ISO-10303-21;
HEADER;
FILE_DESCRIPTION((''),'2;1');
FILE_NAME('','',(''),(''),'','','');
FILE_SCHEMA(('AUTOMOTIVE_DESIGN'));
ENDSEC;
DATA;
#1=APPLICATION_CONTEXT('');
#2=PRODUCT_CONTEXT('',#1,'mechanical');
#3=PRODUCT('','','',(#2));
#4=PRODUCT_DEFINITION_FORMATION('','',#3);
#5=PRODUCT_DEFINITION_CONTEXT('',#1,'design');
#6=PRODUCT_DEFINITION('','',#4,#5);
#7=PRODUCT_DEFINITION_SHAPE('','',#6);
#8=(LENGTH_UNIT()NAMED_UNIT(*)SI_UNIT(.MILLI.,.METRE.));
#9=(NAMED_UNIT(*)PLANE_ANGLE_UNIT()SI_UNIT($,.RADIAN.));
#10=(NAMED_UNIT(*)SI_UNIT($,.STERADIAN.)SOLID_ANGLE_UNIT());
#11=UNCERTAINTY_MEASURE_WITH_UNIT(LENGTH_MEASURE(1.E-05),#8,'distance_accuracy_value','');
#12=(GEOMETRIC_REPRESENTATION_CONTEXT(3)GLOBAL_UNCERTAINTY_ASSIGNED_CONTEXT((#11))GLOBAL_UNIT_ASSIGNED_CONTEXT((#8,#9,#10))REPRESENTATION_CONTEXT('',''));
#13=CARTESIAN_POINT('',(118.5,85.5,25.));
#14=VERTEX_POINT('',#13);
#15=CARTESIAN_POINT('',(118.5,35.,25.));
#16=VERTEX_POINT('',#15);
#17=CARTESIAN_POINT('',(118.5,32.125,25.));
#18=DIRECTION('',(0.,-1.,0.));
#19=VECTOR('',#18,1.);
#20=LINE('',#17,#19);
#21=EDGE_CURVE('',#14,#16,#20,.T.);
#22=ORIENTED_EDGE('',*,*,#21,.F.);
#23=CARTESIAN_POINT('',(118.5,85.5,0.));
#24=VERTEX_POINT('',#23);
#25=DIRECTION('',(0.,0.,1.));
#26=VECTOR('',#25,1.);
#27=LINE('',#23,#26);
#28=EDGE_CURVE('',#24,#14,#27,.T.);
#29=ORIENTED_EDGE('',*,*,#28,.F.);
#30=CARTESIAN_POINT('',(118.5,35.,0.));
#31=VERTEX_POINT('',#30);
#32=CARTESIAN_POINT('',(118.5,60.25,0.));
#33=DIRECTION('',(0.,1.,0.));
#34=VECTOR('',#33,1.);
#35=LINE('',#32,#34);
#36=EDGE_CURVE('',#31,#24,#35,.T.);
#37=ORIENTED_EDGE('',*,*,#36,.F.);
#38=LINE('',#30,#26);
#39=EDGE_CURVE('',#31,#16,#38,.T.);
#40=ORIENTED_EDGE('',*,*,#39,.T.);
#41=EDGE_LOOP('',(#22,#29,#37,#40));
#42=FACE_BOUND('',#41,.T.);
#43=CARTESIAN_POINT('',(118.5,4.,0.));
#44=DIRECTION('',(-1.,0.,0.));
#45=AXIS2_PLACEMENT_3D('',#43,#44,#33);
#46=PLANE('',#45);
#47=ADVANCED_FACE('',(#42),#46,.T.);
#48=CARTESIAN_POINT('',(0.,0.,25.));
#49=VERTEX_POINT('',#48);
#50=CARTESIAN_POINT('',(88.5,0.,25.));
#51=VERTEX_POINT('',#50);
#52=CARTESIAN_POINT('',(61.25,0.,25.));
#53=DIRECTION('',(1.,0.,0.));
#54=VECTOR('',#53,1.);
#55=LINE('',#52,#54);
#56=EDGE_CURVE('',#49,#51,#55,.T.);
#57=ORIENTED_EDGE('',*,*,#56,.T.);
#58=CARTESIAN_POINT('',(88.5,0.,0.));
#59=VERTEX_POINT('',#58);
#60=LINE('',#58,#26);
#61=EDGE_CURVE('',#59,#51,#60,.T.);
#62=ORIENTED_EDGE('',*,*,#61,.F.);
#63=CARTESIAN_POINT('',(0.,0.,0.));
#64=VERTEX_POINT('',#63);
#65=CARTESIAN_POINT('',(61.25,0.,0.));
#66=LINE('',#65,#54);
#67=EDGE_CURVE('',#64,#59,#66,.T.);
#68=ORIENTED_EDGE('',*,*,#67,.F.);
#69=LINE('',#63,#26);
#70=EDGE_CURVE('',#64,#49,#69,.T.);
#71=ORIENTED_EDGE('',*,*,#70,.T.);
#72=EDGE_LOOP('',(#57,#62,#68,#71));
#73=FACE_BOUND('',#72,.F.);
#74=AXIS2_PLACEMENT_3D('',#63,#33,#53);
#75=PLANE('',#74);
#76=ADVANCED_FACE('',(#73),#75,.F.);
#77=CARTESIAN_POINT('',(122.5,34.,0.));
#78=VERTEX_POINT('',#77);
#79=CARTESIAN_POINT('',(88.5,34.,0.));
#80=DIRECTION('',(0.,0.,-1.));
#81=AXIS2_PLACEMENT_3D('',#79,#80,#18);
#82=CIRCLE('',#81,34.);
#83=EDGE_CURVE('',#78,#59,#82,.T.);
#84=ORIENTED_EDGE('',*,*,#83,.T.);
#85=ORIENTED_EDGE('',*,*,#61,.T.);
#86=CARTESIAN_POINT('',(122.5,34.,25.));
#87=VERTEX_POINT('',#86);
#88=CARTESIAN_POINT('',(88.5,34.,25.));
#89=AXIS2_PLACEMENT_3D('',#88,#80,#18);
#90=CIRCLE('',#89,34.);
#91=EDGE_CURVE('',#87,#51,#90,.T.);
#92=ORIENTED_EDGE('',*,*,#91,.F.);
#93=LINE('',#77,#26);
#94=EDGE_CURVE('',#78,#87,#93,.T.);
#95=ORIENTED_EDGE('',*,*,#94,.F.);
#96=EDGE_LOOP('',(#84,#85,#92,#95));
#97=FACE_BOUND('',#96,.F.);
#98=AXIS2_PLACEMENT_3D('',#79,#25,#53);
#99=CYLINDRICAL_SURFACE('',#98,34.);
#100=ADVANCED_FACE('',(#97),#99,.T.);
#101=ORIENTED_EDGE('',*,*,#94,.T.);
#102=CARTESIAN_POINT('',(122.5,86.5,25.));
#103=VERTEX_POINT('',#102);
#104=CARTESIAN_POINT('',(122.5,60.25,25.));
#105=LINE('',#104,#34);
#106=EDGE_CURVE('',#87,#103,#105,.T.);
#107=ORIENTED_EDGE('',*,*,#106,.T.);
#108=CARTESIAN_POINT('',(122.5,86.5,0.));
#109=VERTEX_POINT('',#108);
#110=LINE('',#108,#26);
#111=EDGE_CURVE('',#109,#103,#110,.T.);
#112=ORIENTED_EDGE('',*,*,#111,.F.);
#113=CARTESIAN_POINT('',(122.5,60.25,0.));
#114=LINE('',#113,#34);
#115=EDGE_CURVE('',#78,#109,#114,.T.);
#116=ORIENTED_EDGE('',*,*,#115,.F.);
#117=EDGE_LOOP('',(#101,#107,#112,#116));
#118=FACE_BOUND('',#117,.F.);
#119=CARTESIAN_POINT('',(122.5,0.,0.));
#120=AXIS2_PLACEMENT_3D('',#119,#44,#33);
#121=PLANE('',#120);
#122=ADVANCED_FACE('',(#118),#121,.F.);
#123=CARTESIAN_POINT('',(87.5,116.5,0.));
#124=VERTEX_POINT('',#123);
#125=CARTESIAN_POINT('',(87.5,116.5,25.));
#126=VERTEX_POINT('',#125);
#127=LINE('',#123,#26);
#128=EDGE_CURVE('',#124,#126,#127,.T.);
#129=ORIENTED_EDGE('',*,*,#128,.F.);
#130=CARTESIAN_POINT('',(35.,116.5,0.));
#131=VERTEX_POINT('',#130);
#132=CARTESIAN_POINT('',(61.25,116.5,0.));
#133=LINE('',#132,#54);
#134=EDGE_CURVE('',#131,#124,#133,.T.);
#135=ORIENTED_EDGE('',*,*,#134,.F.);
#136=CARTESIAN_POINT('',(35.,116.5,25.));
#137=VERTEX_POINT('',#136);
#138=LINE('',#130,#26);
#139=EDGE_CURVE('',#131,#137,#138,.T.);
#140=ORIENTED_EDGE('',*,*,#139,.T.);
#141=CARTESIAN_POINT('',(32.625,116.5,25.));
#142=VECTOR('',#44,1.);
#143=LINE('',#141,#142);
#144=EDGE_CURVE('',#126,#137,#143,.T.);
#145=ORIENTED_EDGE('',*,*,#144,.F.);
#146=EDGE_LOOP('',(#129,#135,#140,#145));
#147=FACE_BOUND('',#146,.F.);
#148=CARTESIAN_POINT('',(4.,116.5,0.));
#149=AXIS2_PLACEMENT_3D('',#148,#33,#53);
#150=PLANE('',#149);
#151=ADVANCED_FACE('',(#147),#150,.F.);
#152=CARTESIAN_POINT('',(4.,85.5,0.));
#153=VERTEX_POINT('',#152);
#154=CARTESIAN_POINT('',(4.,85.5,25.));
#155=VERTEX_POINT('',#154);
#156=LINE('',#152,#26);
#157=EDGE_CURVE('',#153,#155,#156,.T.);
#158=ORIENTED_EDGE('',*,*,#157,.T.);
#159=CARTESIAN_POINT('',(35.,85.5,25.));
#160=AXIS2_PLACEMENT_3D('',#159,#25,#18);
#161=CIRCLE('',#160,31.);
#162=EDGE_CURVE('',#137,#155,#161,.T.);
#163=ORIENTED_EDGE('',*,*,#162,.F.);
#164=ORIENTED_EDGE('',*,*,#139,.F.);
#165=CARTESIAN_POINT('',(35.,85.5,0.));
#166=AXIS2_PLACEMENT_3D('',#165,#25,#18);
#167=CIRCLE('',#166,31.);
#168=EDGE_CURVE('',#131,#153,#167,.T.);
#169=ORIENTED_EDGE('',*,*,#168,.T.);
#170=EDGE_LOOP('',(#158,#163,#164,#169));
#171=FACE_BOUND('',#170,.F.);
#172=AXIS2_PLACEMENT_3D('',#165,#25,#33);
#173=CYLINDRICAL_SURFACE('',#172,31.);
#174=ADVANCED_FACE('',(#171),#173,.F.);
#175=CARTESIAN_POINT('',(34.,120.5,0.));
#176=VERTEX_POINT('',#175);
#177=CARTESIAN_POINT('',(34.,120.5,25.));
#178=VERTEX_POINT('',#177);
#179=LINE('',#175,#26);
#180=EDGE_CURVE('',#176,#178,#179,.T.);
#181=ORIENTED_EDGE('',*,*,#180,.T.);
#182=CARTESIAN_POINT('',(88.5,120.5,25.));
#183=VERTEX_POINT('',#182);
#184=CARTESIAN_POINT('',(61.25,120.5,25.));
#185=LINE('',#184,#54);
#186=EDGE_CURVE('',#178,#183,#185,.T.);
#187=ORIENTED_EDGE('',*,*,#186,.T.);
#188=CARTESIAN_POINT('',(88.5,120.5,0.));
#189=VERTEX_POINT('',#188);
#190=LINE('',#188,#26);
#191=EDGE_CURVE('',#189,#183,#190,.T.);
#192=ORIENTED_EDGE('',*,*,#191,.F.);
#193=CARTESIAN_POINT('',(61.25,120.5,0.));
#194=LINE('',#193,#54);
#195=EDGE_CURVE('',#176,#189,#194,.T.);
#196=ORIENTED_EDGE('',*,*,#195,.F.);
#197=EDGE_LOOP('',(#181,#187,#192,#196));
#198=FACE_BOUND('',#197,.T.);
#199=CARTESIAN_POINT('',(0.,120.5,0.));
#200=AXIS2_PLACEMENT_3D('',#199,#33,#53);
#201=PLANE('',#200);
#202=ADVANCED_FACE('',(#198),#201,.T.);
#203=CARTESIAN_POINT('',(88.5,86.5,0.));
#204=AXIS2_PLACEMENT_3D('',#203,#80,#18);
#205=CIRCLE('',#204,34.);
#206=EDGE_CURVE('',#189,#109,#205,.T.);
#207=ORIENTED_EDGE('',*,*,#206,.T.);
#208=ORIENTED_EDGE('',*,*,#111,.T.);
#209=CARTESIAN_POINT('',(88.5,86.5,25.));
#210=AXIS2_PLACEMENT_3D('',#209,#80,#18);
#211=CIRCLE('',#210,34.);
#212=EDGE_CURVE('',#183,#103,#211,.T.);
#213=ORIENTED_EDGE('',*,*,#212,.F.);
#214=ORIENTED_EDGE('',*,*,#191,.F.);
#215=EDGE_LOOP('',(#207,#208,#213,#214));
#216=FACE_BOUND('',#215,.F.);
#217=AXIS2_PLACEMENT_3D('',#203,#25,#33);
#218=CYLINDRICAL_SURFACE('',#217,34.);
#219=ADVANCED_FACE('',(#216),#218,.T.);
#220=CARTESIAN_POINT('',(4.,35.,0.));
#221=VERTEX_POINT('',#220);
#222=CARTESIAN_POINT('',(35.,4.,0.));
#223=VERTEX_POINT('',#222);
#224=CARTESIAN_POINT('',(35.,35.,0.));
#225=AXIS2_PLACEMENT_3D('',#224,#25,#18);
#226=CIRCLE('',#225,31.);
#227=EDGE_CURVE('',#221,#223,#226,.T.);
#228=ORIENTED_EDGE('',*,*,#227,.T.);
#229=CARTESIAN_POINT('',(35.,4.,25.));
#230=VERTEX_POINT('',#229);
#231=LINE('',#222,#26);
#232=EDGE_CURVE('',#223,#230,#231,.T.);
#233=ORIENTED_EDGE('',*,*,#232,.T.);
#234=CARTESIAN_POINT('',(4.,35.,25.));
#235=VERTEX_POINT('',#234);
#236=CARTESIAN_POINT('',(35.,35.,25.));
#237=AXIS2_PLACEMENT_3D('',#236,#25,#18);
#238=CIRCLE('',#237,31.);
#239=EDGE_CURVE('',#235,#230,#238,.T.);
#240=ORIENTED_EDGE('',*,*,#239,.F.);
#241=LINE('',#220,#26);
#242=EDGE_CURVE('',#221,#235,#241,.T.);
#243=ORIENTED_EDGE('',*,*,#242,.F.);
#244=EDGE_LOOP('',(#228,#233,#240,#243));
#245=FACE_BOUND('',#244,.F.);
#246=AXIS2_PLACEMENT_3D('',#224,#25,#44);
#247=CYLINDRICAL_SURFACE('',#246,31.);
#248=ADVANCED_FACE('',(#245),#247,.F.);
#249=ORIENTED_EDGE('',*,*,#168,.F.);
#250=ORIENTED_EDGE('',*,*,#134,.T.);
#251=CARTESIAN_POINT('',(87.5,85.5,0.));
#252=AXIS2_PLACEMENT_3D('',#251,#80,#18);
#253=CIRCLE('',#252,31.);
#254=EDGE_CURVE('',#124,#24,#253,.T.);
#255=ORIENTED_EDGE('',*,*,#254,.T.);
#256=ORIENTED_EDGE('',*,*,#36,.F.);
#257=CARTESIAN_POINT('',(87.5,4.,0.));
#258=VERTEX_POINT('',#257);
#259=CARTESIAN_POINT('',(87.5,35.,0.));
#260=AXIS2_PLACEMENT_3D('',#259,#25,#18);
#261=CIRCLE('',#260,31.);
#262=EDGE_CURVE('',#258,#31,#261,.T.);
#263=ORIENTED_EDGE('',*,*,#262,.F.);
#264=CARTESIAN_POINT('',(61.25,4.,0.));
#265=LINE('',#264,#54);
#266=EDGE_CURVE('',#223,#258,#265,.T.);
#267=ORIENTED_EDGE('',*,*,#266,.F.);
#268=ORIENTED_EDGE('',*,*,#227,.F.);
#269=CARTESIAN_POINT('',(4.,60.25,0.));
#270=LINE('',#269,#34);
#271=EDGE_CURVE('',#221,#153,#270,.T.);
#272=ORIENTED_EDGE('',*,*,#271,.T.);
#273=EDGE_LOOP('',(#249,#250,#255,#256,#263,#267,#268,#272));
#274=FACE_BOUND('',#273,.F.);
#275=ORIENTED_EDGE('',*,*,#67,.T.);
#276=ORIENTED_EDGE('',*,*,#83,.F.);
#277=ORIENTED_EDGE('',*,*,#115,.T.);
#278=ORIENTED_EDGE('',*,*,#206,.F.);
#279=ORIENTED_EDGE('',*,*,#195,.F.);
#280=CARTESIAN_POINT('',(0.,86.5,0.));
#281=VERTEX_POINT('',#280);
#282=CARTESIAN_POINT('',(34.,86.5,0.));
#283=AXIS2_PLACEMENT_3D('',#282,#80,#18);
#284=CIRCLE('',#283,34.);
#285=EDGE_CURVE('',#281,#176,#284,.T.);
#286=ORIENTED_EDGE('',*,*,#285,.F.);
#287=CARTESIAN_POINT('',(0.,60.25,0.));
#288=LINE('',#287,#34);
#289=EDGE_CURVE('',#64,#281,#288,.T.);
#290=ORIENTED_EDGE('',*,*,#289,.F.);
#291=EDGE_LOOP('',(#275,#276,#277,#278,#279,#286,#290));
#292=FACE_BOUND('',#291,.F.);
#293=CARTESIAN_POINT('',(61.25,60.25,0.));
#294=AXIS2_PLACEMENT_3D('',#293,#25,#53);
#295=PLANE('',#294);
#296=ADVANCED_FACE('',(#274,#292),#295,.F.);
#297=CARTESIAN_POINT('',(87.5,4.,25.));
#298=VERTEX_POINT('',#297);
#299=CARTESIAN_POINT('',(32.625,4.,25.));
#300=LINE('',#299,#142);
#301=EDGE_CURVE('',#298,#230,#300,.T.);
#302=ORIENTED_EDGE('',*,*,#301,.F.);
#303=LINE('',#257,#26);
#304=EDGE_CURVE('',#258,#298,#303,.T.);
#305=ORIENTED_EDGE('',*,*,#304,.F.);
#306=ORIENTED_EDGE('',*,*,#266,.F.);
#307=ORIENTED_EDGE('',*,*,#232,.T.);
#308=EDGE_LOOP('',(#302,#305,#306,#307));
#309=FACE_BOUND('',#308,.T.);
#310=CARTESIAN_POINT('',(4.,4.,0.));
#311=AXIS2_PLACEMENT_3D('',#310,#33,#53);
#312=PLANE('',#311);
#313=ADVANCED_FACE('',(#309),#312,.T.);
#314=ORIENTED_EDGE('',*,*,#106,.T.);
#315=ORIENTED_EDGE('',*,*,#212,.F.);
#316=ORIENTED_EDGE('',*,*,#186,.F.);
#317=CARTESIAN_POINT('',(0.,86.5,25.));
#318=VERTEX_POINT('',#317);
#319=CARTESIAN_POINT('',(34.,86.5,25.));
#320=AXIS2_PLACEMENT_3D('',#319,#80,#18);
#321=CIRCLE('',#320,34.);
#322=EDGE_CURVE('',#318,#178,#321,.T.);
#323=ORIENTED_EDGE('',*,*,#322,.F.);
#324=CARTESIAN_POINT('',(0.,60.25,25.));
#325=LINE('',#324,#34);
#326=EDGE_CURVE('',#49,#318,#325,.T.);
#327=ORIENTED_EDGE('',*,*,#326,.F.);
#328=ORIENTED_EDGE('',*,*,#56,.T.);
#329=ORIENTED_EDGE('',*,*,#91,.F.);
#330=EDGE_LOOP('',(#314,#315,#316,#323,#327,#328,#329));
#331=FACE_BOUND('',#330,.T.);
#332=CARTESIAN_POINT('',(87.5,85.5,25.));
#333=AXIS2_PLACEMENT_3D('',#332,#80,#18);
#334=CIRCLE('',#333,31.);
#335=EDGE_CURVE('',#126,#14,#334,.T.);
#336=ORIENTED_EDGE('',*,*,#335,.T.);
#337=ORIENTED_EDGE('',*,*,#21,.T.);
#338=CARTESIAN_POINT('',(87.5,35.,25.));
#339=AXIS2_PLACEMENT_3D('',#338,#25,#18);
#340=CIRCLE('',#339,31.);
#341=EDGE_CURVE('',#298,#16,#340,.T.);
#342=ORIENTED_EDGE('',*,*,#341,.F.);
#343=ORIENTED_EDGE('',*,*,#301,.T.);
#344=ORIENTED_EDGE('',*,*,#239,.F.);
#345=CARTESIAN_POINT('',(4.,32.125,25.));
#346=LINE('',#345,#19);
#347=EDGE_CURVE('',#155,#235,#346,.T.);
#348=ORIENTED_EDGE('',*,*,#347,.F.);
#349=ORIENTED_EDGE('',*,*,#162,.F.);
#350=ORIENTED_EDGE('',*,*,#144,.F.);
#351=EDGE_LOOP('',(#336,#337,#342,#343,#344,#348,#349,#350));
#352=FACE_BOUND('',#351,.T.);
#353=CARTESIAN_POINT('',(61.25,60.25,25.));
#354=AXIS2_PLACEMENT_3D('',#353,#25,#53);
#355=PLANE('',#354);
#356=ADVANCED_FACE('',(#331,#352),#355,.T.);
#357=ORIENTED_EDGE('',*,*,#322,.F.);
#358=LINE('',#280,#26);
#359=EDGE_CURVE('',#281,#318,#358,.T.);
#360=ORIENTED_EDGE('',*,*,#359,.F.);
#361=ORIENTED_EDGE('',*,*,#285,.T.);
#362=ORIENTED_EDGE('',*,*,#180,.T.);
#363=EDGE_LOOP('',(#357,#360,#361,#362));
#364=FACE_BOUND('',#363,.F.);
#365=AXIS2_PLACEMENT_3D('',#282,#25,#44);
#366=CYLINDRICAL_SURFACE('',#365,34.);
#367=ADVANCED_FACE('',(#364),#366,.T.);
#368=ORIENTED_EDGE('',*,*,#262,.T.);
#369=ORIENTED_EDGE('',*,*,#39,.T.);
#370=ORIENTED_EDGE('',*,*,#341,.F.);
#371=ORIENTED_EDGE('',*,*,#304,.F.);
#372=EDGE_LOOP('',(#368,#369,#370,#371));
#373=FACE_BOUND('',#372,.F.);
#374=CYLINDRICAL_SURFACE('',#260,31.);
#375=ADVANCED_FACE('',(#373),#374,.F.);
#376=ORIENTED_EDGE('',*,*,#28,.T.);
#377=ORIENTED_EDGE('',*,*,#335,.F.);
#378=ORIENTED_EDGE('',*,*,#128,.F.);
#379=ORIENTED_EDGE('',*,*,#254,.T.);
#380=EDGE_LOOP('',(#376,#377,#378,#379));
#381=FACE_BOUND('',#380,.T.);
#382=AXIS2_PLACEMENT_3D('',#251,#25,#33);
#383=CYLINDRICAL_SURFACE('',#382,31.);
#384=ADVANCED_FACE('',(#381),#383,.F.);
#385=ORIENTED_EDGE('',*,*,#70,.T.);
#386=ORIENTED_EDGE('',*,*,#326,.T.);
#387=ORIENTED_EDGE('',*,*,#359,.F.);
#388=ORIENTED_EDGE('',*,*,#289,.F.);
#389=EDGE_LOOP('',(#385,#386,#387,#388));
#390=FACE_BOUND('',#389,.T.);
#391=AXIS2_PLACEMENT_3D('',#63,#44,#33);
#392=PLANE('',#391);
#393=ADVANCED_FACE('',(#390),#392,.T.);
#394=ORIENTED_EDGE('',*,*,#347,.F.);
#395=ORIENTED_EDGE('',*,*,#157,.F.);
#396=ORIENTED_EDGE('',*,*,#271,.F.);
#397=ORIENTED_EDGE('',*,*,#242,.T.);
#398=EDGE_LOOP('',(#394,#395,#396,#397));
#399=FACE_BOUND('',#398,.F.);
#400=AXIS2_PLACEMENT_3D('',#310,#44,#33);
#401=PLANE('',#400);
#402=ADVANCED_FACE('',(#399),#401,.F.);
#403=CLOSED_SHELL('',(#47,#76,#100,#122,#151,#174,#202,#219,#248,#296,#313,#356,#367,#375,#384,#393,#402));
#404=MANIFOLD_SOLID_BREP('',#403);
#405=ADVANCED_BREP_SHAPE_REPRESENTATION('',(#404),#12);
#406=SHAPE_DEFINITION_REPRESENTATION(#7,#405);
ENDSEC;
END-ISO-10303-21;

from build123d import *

# Parameters (mm, degrees)
BOX001_W     = 114.5
BOX001_H     = 112.5
BOX001_DEPTH = 32
BOX_W        = 122.5
BOX_H        = 120.5
BOX_DEPTH    = 25
FILLET_R     = 31
FILLET001_R  = 31
FILLET002_R  = 31
FILLET003_R  = 31
FILLET004_R  = 34
FILLET005_R  = 34
FILLET006_R  = 34


with BuildPart() as cubo001:
    # Box001 → Box001 (new body)
    with BuildSketch(Plane(origin=(4, 4, 0), x_dir=(1, 0, 0), z_dir=(0, 0, 1))):
        with Locations((57.25, 56.25)):
            Rectangle(BOX001_W, BOX001_H)
    extrude(amount=BOX001_DEPTH)


with BuildPart() as fillet006:
    # Box → Box (new body)
    with BuildSketch(Plane.XY):
        with Locations((61.25, 60.25)):
            Rectangle(BOX_W, BOX_H)
    extrude(amount=BOX_DEPTH)

    # Cut: cut Cubo001
    add(cubo001.part, mode=Mode.SUBTRACT)

    # Fillet
    fillet_edges = [fillet006.edges().sort_by_distance(p)[0] for p in [
        (4, 116.5, 12.5),
    ]]
    fillet(fillet_edges, radius=FILLET_R)

    # Fillet001
    fillet001_edges = [fillet006.edges().sort_by_distance(p)[0] for p in [
        (118.5, 116.5, 12.5),
    ]]
    fillet(fillet001_edges, radius=FILLET001_R)

    # Fillet002
    fillet002_edges = [fillet006.edges().sort_by_distance(p)[0] for p in [
        (4, 4, 12.5),
    ]]
    fillet(fillet002_edges, radius=FILLET002_R)

    # Fillet003
    fillet003_edges = [fillet006.edges().sort_by_distance(p)[0] for p in [
        (118.5, 4, 12.5),
    ]]
    fillet(fillet003_edges, radius=FILLET003_R)

    # Fillet004
    fillet004_edges = [fillet006.edges().sort_by_distance(p)[0] for p in [
        (0, 120.5, 12.5),
    ]]
    fillet(fillet004_edges, radius=FILLET004_R)

    # Fillet005
    fillet005_edges = [fillet006.edges().sort_by_distance(p)[0] for p in [
        (122.5, 120.5, 12.5),
    ]]
    fillet(fillet005_edges, radius=FILLET005_R)

    # Fillet006
    fillet006_edges = [fillet006.edges().sort_by_distance(p)[0] for p in [
        (122.5, 0, 12.5),
    ]]
    fillet(fillet006_edges, radius=FILLET006_R)


solid = fillet006.part
